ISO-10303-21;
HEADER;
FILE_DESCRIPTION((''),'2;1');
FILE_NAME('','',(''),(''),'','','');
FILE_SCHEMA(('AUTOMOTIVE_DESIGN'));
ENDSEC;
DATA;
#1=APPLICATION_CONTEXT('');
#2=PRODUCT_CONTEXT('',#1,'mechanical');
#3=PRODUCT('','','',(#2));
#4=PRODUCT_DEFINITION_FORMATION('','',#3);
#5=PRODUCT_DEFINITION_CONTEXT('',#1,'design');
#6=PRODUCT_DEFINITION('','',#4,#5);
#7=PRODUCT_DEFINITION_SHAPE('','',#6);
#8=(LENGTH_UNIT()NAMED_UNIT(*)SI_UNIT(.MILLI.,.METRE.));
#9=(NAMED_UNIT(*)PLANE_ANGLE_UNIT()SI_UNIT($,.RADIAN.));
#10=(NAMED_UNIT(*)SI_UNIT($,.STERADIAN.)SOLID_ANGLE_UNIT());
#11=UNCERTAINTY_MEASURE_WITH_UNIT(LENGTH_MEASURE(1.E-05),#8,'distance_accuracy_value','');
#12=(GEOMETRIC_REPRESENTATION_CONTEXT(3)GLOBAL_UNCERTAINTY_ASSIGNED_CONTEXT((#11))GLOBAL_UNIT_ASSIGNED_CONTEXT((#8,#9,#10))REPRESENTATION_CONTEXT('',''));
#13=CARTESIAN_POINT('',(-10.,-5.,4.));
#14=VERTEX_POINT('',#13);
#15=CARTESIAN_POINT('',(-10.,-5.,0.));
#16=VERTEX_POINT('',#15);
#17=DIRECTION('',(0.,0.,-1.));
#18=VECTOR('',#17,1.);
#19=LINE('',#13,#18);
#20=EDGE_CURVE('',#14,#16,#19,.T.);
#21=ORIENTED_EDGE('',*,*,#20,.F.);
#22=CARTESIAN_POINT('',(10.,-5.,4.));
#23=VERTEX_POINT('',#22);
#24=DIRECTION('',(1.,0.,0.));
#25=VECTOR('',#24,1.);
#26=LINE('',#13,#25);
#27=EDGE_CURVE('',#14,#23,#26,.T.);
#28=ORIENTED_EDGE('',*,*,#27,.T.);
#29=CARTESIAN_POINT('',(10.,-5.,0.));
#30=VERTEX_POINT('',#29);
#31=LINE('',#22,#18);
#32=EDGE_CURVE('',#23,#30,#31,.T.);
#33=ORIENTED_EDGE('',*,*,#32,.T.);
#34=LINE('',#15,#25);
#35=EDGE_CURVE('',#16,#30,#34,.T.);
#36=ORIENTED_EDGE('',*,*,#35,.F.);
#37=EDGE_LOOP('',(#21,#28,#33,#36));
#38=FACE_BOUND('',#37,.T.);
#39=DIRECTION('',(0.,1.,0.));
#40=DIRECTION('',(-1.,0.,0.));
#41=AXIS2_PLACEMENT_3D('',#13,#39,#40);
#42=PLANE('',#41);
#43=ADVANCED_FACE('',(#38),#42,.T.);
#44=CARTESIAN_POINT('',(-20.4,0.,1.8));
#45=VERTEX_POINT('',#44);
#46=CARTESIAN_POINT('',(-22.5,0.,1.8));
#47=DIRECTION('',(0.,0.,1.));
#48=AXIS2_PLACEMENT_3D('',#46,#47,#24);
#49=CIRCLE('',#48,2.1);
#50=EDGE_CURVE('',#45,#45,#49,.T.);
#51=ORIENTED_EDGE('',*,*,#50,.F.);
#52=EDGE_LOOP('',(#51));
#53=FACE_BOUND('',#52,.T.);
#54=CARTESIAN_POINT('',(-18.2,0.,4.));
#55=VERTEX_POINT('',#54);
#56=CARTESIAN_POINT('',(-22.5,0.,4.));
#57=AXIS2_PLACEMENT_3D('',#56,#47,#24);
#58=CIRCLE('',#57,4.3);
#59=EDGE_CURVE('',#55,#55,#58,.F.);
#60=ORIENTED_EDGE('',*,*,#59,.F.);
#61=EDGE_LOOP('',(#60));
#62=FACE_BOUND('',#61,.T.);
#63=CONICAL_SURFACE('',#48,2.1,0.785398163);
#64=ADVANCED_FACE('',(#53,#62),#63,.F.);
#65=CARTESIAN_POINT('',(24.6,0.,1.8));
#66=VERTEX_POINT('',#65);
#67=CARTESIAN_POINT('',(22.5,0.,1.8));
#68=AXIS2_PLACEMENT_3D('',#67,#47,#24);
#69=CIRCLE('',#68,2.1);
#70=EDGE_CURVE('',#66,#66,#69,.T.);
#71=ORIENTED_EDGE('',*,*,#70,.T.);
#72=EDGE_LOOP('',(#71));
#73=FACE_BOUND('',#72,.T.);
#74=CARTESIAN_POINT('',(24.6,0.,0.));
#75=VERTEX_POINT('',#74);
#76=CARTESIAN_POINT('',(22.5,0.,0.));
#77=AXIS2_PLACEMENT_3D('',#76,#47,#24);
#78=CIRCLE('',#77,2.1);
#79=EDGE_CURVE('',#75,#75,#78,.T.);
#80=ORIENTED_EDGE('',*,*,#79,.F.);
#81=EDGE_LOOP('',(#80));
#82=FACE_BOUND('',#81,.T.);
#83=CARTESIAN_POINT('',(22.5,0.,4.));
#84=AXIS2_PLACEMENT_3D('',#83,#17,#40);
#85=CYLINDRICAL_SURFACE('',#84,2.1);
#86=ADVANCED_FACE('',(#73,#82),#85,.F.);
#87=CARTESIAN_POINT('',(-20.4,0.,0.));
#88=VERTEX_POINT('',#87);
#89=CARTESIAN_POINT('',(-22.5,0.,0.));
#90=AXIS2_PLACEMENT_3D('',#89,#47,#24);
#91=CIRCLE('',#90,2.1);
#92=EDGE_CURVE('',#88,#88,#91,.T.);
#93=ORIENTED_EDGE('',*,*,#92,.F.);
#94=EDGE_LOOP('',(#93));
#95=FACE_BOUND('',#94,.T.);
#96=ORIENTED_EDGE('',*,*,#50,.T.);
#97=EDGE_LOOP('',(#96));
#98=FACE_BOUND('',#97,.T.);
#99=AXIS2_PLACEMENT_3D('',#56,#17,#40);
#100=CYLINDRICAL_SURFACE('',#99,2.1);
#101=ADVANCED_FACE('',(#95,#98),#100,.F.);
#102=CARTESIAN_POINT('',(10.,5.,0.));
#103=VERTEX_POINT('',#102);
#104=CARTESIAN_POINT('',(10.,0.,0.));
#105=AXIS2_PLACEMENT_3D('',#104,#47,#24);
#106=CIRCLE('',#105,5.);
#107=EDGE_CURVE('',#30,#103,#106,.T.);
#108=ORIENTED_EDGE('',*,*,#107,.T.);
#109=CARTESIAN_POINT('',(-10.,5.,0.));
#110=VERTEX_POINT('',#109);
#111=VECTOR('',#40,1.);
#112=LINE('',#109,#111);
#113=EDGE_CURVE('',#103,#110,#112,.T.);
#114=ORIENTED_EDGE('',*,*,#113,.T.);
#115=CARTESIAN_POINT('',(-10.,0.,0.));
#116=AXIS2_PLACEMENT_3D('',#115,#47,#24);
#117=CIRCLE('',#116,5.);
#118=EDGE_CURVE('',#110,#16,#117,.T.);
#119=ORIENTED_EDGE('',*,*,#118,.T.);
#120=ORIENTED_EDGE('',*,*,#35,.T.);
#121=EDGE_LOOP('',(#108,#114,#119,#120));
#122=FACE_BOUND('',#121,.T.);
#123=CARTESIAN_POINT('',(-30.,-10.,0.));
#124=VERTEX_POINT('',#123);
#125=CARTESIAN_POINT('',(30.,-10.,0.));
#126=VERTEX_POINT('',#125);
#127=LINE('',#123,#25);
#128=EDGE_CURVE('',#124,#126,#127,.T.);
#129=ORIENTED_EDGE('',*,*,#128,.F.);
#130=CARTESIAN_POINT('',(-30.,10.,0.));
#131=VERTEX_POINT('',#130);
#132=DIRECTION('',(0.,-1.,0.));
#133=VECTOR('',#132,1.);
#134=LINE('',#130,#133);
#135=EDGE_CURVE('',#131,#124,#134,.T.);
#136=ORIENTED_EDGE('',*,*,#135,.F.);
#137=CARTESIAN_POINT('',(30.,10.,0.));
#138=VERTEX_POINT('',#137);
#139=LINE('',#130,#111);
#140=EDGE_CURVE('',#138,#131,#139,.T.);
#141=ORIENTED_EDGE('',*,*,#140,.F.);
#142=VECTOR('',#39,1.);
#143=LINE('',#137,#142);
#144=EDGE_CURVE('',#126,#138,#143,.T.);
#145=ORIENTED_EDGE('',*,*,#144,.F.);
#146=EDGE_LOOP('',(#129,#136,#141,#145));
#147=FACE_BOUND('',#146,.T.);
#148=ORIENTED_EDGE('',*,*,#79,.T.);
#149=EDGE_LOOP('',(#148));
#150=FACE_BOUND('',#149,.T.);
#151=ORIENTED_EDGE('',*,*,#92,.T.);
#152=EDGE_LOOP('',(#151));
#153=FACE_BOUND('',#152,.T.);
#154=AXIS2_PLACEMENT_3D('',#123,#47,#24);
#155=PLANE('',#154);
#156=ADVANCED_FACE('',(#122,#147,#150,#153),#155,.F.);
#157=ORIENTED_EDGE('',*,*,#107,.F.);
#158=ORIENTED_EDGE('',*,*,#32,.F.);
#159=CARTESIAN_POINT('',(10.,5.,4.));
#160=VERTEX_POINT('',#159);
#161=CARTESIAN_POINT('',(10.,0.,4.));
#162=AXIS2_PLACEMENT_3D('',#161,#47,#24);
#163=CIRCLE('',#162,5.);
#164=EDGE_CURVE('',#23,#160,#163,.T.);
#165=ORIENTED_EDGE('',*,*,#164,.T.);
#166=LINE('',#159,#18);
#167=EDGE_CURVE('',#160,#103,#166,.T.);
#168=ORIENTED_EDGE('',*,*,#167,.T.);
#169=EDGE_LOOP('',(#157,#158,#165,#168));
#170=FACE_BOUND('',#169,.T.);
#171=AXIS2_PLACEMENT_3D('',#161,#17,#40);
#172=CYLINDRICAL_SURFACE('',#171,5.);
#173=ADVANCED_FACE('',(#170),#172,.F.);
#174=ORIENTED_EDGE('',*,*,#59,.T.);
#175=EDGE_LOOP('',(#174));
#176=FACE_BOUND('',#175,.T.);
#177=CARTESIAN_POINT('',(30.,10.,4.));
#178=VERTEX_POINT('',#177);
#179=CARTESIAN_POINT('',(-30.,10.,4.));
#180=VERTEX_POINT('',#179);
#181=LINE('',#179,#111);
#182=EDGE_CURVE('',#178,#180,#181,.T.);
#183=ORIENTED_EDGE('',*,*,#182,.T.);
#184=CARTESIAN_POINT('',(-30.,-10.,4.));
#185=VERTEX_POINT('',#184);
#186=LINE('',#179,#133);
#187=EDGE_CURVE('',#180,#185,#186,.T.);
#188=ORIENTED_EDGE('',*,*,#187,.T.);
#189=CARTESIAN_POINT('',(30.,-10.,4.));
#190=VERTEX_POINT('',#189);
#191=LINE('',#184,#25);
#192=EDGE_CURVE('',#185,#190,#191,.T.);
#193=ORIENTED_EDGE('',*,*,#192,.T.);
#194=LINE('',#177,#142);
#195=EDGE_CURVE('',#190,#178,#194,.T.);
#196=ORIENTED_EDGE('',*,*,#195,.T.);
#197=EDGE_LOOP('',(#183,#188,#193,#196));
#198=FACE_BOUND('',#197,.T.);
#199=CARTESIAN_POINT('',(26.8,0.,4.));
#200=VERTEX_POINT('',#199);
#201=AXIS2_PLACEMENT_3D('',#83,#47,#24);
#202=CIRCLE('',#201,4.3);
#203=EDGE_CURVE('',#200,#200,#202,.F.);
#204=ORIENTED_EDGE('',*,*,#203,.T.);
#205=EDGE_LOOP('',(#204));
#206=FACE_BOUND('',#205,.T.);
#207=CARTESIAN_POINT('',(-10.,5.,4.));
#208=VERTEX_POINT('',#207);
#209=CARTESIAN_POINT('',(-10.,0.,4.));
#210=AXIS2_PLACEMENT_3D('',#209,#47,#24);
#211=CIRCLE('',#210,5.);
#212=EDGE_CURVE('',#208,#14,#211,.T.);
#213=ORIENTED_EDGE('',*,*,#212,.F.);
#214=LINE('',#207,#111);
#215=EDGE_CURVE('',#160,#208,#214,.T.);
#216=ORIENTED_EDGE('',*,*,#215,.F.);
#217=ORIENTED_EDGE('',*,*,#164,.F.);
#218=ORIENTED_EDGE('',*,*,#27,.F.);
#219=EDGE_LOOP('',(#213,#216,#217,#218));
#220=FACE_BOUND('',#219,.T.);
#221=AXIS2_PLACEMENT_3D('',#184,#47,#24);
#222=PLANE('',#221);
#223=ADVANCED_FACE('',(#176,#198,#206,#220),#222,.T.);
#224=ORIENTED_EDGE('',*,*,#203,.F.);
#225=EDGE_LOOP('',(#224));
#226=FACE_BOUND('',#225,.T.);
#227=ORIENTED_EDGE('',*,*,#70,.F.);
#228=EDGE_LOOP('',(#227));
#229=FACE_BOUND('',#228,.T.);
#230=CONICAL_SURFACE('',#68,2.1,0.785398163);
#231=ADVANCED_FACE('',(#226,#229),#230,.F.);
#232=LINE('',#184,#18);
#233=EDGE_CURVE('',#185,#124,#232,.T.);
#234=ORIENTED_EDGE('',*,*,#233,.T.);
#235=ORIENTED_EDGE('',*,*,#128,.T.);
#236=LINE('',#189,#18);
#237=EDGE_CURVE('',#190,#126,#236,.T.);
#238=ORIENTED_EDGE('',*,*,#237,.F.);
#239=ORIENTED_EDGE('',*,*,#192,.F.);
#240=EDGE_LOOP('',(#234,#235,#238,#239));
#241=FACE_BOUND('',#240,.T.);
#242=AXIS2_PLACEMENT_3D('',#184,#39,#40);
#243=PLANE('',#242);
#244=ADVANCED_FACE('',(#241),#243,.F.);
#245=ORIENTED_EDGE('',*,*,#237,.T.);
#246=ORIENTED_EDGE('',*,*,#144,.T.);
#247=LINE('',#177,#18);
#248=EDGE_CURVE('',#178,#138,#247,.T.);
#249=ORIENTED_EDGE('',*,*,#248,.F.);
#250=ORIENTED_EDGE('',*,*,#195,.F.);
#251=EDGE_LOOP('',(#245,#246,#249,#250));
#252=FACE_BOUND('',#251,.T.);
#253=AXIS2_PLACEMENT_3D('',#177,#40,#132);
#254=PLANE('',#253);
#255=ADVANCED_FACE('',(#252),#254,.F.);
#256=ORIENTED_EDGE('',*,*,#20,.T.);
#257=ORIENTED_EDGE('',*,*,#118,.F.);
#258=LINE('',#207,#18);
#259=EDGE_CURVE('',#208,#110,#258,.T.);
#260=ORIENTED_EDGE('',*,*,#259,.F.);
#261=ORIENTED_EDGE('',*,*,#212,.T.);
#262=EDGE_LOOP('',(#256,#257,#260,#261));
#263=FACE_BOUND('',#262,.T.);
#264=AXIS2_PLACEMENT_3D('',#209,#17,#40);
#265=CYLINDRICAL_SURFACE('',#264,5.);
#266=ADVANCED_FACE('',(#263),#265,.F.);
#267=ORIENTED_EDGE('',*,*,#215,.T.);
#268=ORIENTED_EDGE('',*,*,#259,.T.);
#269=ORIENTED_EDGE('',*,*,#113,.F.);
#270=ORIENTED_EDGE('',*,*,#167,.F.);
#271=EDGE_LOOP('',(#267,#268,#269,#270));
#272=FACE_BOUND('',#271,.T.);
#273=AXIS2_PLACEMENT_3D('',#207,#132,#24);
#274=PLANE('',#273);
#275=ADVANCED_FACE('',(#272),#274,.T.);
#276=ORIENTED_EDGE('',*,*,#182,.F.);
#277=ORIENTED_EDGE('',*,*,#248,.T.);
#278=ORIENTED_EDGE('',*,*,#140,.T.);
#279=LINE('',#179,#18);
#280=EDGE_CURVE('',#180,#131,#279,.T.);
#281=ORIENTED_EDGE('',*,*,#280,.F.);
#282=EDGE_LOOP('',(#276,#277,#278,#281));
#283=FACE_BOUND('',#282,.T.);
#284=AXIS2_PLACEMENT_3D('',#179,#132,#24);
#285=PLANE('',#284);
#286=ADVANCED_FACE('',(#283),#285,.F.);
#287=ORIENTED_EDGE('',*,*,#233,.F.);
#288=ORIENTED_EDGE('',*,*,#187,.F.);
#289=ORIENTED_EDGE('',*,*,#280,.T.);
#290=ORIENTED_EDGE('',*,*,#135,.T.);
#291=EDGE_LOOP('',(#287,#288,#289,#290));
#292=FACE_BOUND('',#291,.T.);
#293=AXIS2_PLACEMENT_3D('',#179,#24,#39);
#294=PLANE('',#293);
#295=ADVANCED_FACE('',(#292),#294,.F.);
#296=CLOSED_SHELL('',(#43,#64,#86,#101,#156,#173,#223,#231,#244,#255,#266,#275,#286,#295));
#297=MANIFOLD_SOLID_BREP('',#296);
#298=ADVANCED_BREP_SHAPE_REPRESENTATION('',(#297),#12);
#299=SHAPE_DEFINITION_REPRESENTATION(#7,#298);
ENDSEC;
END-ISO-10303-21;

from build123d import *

# Parameters (mm, degrees)
ESQUISSE1_W      = 60
ESQUISSE1_H      = 20
ESQUISSE1_R      = 2.1
EXTRUSION1_DEPTH = 4
CHANFREIN1_SIZE  = 2.2


with BuildPart() as part:
    # Esquisse1 → Extrusion1 (new body)
    with BuildSketch(Plane.XY):
        Rectangle(ESQUISSE1_W, ESQUISSE1_H)
        with Locations((-22.5, 0)):
            Circle(ESQUISSE1_R, mode=Mode.SUBTRACT)
        with Locations((22.5, 0)):
            Circle(ESQUISSE1_R, mode=Mode.SUBTRACT)
        with BuildLine():
            Line((-10, 5), (10, 5))
            ThreePointArc((10, 5), (15, 0), (10, -5))
            Line((10, -5), (-10, -5))
            ThreePointArc((-10, -5), (-15, 0), (-10, 5))
        make_face(mode=Mode.SUBTRACT)
    extrude(amount=EXTRUSION1_DEPTH)

    # Chanfrein1
    chanfrein1_edges = [part.edges().sort_by_distance(p)[0] for p in [
        (-24.6, 0, 4),
        (20.4, 0, 4),
    ]]
    chamfer(chanfrein1_edges, length=CHANFREIN1_SIZE)


solid = part.part
